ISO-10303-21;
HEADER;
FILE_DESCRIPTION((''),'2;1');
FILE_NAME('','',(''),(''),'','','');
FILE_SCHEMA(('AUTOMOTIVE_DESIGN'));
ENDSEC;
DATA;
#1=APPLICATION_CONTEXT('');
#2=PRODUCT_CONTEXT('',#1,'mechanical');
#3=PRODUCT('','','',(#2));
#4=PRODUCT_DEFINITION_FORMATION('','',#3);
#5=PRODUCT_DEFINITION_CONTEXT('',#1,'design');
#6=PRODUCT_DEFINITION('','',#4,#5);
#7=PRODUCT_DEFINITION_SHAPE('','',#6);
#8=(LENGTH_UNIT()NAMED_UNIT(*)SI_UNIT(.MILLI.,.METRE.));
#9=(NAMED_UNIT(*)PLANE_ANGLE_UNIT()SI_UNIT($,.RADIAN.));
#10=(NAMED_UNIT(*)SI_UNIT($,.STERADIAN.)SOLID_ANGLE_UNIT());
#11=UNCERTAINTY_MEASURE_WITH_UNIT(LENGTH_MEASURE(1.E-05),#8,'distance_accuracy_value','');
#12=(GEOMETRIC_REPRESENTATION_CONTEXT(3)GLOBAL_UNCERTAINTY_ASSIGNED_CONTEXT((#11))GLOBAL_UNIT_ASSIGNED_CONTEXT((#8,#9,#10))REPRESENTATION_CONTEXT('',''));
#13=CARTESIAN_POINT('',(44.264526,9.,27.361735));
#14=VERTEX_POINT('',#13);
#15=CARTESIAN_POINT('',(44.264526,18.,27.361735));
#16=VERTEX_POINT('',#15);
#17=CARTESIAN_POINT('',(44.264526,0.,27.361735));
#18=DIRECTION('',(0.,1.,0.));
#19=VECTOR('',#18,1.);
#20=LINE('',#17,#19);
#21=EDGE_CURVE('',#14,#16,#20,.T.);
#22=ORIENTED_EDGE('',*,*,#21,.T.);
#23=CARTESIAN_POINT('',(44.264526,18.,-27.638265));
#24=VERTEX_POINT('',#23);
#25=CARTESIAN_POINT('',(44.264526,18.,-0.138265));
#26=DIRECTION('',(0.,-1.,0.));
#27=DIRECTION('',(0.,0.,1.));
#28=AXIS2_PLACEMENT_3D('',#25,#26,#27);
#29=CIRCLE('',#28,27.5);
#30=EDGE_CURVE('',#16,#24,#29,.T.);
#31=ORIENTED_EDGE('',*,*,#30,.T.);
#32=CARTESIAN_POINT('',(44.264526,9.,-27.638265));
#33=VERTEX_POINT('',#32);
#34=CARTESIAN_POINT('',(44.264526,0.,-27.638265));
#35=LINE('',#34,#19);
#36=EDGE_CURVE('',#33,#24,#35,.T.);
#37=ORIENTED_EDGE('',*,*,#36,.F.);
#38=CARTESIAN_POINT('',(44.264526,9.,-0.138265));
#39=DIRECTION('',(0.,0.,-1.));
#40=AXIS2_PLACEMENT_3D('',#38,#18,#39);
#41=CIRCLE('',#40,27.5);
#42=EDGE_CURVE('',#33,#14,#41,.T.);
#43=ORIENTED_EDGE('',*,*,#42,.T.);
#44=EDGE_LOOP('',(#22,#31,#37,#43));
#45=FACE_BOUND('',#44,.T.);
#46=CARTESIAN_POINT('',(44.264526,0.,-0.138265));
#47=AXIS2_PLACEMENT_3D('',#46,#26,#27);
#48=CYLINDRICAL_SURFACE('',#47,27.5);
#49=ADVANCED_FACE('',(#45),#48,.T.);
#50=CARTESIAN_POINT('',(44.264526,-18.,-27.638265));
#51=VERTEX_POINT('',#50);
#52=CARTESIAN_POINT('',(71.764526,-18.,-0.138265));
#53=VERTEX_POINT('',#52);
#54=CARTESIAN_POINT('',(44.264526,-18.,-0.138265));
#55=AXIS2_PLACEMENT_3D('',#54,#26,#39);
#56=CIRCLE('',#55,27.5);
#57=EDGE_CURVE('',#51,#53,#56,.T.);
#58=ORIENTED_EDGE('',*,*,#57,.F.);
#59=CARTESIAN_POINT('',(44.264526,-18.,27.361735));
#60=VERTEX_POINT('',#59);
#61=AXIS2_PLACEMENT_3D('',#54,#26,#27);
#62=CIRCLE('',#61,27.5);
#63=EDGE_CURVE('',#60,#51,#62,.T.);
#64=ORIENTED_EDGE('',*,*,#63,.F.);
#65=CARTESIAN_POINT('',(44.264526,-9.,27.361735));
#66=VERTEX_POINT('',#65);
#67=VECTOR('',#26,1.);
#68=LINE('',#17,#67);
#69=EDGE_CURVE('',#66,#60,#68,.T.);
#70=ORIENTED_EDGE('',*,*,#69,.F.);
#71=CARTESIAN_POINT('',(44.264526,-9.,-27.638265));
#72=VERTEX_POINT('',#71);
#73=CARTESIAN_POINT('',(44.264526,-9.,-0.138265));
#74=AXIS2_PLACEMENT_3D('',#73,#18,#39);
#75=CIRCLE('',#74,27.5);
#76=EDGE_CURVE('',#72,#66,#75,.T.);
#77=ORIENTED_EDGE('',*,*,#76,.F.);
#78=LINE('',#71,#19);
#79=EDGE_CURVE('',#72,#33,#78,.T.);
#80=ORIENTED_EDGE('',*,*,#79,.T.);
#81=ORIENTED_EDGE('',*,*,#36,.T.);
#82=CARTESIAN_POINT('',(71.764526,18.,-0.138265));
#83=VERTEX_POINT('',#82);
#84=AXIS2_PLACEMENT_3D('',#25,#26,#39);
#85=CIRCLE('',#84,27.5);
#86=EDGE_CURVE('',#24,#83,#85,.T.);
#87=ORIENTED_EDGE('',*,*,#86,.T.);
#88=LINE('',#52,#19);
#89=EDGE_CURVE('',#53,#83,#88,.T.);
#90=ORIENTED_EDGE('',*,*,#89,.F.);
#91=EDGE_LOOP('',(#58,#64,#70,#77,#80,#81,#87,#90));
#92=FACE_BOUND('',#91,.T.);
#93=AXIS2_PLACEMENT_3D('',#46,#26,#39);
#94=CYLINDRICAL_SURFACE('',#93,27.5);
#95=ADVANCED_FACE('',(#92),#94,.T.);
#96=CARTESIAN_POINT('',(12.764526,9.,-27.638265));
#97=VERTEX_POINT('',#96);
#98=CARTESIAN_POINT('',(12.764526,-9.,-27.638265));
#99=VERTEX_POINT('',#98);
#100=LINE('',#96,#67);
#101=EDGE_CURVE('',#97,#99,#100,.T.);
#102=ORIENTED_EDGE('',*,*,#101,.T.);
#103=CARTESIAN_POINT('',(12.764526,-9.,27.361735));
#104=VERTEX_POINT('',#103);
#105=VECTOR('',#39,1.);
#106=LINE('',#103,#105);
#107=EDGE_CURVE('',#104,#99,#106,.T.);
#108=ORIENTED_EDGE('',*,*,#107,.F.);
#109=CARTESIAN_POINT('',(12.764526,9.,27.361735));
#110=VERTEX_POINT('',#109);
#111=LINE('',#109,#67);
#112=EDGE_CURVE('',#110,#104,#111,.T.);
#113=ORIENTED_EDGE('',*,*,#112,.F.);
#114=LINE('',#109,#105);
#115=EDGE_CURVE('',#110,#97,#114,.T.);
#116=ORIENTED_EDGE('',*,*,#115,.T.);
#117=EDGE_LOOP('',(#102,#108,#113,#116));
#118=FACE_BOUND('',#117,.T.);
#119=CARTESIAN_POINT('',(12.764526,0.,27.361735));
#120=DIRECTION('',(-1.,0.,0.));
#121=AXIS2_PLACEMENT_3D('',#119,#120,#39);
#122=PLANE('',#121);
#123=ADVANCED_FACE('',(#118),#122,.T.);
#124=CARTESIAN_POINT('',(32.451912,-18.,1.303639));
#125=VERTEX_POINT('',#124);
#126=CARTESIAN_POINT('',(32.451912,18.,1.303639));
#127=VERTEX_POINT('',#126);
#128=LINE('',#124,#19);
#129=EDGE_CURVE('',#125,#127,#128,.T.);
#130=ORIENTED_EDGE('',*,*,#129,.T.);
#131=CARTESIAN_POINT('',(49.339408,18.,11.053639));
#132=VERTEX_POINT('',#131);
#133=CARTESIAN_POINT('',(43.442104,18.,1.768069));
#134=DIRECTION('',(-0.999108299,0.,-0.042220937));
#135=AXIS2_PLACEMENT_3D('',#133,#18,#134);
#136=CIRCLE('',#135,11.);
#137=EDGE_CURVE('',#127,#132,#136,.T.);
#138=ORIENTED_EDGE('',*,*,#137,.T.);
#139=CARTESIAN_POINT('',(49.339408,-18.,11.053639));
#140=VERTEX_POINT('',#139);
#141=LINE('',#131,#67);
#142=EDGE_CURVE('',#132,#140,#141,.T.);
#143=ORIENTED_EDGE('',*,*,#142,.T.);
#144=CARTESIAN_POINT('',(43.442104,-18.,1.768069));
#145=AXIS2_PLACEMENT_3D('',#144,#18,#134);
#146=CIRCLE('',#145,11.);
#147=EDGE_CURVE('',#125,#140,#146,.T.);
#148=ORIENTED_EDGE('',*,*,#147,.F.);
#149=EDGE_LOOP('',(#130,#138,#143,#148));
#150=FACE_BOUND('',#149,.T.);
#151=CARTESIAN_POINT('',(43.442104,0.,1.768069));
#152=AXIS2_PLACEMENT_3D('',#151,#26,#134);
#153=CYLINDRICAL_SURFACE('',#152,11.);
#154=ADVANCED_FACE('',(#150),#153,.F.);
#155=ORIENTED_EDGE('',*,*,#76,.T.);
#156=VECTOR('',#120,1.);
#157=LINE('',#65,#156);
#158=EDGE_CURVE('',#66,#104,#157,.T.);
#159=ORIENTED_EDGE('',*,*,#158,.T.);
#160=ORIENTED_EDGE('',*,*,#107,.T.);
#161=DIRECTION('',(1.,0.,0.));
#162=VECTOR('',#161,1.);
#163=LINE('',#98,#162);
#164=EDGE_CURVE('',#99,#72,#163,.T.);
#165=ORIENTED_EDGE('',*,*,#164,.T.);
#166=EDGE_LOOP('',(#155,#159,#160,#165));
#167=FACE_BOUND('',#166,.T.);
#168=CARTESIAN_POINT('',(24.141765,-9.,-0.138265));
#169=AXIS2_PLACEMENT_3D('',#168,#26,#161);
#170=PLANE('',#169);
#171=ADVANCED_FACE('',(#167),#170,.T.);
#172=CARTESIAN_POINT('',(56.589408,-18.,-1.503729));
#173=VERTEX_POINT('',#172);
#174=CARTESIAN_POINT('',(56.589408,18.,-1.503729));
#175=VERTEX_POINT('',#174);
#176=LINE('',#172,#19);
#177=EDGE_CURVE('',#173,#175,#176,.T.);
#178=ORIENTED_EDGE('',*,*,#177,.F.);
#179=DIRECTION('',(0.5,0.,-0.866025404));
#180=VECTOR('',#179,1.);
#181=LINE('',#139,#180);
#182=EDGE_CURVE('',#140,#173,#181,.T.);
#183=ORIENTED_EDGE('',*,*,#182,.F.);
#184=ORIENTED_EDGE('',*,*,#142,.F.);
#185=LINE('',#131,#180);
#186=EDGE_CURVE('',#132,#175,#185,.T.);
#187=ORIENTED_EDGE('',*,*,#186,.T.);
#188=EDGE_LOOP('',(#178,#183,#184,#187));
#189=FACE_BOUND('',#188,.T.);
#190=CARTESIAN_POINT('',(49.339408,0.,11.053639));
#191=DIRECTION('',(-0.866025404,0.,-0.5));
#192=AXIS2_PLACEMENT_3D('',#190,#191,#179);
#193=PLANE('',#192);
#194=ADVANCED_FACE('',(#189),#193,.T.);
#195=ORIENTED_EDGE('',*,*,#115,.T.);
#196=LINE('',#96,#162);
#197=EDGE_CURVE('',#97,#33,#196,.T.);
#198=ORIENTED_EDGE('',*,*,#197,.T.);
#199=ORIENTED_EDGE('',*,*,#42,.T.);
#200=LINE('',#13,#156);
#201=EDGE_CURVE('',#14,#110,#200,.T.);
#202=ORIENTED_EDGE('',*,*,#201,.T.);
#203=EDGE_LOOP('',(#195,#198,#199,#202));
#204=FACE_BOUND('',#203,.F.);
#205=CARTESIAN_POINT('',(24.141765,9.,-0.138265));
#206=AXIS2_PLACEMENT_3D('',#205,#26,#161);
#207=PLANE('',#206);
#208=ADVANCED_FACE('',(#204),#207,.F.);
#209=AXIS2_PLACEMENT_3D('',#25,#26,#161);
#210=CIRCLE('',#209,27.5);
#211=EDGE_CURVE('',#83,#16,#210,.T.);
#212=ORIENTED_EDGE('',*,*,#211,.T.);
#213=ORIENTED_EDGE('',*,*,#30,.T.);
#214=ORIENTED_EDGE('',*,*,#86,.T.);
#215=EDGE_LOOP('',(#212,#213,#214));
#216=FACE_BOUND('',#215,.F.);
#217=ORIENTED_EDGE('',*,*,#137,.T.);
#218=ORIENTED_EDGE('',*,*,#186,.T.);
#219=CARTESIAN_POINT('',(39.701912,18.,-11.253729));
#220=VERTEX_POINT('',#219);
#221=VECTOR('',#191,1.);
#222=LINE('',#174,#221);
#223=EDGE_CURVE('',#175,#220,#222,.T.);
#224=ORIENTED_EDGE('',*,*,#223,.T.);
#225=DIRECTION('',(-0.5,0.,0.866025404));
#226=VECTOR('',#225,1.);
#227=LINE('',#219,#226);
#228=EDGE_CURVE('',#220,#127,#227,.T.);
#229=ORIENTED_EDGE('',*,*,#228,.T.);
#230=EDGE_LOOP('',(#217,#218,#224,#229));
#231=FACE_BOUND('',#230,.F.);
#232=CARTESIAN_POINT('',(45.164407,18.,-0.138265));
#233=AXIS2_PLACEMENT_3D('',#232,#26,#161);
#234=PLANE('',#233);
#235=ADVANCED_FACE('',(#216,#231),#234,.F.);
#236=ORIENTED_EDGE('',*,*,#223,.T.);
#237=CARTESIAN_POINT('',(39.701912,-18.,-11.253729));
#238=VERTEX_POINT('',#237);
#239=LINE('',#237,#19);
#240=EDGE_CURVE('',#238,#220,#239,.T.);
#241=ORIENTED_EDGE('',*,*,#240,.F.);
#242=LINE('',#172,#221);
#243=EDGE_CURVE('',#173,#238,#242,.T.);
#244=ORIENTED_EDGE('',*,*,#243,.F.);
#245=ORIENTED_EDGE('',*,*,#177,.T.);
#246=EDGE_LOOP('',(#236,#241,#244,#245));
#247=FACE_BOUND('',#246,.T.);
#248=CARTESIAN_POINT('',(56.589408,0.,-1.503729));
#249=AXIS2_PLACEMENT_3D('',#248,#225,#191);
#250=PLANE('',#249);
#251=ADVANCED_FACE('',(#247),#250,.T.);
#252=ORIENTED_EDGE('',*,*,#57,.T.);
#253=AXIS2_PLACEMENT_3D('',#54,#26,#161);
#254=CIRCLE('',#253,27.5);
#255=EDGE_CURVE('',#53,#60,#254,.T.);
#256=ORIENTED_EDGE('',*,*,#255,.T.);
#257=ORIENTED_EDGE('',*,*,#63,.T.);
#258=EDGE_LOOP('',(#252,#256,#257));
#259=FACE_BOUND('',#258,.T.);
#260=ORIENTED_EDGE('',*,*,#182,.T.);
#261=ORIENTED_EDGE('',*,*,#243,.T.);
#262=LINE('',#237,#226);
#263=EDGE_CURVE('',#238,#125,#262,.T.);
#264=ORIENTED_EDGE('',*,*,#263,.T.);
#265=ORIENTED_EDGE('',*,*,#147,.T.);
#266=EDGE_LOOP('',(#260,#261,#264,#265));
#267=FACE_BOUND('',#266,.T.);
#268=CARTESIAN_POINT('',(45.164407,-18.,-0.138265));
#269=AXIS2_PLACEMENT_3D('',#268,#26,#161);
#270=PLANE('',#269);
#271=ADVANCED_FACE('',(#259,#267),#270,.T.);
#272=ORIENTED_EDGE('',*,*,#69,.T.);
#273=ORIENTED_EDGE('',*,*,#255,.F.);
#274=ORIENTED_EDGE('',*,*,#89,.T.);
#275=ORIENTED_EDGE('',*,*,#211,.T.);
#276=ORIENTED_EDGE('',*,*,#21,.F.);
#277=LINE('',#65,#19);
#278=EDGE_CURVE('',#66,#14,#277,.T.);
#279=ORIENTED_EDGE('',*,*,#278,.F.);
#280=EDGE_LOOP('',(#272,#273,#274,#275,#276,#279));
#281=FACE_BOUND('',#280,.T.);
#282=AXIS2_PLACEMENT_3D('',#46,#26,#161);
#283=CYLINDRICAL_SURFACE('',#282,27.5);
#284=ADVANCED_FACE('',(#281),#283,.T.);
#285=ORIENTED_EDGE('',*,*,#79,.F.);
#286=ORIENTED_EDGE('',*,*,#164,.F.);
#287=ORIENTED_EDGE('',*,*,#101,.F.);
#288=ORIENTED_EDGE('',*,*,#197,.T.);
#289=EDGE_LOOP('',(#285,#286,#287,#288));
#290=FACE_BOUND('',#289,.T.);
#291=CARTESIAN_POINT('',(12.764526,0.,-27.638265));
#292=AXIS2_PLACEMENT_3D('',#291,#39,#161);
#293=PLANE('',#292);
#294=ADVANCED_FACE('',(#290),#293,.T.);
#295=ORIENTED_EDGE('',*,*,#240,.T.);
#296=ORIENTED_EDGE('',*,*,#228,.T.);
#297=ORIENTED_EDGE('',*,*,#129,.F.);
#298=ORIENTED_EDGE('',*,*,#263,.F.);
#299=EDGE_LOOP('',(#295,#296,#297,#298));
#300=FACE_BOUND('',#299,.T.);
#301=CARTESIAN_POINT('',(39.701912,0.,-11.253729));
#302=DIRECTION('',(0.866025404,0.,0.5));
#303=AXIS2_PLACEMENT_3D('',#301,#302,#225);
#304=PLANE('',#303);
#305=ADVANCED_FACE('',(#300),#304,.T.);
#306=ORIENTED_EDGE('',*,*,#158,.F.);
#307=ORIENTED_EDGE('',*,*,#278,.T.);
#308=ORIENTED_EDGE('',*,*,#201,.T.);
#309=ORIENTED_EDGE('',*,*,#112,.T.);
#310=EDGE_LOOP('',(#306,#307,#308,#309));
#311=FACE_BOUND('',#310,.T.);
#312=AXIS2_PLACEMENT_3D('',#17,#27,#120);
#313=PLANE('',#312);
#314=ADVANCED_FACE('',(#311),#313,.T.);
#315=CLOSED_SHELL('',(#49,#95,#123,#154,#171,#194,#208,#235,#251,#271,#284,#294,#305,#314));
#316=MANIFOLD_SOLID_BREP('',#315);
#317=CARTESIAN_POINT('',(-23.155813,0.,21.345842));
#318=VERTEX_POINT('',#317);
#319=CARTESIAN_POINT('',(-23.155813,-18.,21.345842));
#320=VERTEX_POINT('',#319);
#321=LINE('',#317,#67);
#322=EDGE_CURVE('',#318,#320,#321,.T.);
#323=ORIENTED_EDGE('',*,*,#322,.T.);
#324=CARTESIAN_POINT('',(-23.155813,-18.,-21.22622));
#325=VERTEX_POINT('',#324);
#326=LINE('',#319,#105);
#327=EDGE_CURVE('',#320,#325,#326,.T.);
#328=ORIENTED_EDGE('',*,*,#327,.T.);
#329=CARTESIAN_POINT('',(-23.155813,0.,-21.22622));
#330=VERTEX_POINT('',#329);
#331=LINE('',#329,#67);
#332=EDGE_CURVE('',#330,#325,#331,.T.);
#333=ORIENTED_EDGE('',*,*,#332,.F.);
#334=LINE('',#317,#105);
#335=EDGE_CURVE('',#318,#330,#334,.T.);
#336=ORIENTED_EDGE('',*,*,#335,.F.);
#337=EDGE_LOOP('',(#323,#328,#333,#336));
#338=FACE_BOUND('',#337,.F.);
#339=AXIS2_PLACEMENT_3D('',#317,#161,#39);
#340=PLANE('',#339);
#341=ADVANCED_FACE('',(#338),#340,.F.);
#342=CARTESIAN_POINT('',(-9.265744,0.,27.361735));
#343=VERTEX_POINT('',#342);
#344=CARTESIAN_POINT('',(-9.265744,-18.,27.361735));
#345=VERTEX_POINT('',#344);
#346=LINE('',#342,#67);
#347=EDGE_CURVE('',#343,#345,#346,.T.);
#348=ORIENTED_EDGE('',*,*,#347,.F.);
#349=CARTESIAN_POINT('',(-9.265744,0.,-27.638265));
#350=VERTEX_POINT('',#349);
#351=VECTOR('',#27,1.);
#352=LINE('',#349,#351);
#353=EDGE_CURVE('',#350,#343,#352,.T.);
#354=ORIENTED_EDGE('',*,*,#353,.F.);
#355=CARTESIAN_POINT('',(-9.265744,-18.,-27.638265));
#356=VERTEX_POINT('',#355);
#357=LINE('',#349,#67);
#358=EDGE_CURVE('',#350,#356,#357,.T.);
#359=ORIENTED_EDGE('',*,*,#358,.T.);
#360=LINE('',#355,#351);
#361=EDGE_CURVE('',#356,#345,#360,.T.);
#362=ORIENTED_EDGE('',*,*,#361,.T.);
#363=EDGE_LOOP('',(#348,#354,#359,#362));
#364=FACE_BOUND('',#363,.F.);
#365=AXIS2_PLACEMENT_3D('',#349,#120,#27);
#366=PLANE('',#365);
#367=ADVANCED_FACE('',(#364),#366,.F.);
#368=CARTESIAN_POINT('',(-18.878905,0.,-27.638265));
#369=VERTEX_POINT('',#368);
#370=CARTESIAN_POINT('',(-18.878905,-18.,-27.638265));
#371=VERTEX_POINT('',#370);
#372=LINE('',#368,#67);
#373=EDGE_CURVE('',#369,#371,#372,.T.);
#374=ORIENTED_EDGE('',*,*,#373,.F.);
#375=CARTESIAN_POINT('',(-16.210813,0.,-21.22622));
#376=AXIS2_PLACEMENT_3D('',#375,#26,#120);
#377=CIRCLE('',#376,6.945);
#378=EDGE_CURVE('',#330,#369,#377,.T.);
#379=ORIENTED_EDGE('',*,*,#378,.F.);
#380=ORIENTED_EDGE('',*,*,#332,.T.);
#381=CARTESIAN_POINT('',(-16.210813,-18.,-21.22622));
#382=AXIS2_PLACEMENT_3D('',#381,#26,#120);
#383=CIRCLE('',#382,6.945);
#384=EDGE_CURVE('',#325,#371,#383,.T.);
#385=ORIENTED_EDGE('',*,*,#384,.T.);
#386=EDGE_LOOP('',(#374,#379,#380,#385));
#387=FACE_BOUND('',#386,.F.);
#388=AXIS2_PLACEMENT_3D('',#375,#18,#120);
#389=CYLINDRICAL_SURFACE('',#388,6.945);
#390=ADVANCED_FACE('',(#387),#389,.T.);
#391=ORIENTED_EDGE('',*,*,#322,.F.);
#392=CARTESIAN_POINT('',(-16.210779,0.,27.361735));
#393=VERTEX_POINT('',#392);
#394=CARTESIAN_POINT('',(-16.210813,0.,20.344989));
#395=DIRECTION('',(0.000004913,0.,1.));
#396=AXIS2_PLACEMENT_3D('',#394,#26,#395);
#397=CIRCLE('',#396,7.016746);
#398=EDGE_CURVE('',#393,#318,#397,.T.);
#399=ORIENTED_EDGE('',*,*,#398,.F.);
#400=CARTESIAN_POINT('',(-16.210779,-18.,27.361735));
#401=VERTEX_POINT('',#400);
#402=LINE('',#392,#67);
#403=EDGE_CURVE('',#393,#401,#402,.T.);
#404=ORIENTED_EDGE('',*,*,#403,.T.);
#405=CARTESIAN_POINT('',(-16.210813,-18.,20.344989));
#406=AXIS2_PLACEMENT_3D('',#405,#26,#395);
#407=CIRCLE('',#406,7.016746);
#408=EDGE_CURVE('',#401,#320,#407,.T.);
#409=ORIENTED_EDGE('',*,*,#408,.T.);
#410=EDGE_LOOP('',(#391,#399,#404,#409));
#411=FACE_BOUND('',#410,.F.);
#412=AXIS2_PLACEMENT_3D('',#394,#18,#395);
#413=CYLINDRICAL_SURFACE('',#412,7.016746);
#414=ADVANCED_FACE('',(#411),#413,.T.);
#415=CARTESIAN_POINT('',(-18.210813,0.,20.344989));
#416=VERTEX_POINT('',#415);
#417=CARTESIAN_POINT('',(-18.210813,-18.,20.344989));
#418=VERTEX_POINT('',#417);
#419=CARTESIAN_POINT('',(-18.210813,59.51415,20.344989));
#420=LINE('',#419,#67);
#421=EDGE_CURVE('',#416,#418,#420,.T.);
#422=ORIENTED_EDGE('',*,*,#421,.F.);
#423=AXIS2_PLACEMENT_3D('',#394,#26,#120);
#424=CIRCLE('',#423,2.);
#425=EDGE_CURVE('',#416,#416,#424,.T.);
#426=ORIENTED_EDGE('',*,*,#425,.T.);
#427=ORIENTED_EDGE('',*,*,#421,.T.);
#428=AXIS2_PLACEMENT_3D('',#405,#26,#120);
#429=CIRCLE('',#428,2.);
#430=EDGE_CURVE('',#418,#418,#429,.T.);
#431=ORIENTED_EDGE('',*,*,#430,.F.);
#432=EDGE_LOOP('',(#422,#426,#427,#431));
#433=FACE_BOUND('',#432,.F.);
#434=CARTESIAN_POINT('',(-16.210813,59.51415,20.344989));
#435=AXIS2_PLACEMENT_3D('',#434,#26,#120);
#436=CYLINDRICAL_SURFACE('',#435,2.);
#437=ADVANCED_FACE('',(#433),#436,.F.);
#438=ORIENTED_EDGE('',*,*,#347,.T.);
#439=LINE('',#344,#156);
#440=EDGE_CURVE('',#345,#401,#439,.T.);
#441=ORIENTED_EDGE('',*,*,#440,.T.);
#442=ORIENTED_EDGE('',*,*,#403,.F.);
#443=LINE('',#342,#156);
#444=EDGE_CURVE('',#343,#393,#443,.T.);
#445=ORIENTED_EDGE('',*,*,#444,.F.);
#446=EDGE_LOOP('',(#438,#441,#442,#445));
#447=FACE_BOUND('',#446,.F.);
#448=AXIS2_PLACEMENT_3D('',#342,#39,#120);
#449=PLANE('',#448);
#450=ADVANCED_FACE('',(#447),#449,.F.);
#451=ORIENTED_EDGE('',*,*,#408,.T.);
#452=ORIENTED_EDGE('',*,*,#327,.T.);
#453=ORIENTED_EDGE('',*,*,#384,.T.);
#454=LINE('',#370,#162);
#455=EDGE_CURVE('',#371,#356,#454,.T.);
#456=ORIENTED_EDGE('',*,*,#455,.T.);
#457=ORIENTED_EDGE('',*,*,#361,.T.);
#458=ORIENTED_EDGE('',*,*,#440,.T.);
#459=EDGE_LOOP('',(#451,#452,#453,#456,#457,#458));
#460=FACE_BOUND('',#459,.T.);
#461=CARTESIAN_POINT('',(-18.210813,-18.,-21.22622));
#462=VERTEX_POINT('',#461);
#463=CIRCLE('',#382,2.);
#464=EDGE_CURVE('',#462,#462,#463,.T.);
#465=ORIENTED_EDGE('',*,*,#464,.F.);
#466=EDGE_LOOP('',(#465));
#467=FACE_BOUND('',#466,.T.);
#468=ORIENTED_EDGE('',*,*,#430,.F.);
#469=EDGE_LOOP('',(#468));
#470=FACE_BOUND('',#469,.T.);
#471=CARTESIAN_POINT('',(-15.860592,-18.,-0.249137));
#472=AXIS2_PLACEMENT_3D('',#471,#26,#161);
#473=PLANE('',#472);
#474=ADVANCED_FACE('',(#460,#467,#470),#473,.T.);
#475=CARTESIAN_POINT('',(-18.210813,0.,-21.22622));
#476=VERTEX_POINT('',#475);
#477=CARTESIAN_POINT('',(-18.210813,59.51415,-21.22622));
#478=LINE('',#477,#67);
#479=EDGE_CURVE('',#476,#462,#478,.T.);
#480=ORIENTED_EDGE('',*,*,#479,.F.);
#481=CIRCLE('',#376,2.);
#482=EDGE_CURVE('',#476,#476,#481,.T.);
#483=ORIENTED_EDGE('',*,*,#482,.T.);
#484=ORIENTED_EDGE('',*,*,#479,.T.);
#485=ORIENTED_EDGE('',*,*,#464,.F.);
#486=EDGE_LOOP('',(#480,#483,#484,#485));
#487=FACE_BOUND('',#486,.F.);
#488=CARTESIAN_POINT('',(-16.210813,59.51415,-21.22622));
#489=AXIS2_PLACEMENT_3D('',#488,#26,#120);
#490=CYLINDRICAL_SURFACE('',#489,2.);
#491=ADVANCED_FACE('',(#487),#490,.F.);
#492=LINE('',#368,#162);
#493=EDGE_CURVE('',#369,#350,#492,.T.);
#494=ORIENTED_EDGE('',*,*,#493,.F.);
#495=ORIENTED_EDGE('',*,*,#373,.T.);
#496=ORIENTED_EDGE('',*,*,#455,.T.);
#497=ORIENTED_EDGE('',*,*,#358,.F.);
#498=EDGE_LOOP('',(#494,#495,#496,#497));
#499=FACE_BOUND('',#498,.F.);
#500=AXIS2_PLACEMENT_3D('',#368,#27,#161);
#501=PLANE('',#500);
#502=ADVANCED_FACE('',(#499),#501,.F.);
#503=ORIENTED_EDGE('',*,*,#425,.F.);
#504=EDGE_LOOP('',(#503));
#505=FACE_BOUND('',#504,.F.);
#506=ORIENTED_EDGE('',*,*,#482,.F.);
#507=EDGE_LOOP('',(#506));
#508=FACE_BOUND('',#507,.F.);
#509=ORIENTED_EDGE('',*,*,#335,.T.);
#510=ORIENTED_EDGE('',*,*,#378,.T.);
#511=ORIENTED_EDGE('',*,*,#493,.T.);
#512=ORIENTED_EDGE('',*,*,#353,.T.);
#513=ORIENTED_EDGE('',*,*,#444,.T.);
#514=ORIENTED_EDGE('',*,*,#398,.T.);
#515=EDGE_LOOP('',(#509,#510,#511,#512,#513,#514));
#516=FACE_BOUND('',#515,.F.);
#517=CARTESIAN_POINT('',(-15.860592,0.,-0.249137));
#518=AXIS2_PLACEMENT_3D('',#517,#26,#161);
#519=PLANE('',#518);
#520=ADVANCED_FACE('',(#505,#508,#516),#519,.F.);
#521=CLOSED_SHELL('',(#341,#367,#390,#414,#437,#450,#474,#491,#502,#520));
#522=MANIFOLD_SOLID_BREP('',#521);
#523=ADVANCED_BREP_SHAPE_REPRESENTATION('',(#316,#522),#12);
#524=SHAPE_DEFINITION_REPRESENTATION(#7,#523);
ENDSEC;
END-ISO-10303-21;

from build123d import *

# Parameters (mm, degrees)
F1_DEPTH      = 18
F2_D          = 4
F3_DEPTH      = 18
F3_DEPTH_BACK = 18
F4_DEPTH      = 9
F4_DEPTH_BACK = 9


with BuildPart() as f1:
    # F0 (on Front) → F1 (new body)
    with BuildSketch(Plane.XZ):
        with BuildLine():
            Line((-9.2657440613, -27.6382645078), (-9.2657440613, 27.3617354922))
            Line((-9.2657440613, 27.3617354922), (-16.2107785353, 27.3617354922))
            ThreePointArc((-16.2107785353, 27.3617354922), (-20.8049267476, 25.6486528507), (-23.1558130092, 21.3458417093))
            Line((-23.1558130092, 21.3458417093), (-23.1558130092, -21.2262201912))
            ThreePointArc((-23.1558130092, -21.2262201912), (-21.9884821339, -25.0799929513), (-18.8789045899, -27.6382645078))
            Line((-18.8789045899, -27.6382645078), (-9.2657440613, -27.6382645078))
        make_face()
    extrude(amount=F1_DEPTH)

    # F2 (through all)
    with Locations(Plane(origin=(0, 0, 0), x_dir=(1, 0, 0), z_dir=(0, 1, 0))):
        with Locations((-16.2108130092, -20.3449890159), (-16.2108130092, 21.2262201912)):
            Hole(F2_D / 2)


with BuildPart() as f3:
    # F0 (on Front) → F3 (new body, two sides)
    with BuildSketch(Plane.XZ) as f3_sk:
        with BuildLine():
            ThreePointArc((71.7645256658, -0.1382645078), (63.7099621485, 19.3071719749), (44.2645256658, 27.3617354922))
            ThreePointArc((44.2645256658, 27.3617354922), (16.7645256658, -0.1382645078), (44.2645256658, -27.6382645078))
            ThreePointArc((44.2645256658, -27.6382645078), (63.7099621485, -19.5837009904), (71.7645256658, -0.1382645078))
        make_face()
        with BuildLine():
            Line((49.3394077535, 11.0536389664), (56.5894077535, -1.5037293885))
            Line((56.5894077535, -1.5037293885), (39.7019123797, -11.2537293885))
            Line((39.7019123797, -11.2537293885), (32.4519123797, 1.3036389664))
            ThreePointArc((32.4519123797, 1.3036389664), (37.942103665, 11.2943487169), (49.3394077535, 11.0536389664))
        make_face(mode=Mode.SUBTRACT)
    extrude(amount=F3_DEPTH)
    extrude(f3_sk.sketch, amount=-F3_DEPTH_BACK)

    # F0 (on Front) → F4 (join, two sides)
    with BuildSketch(Plane.XZ) as f4_sk:
        with BuildLine():
            ThreePointArc((44.2645256658, -27.6382645078), (16.7645256658, -0.1382645078), (44.2645256658, 27.3617354922))
            Line((44.2645256658, 27.3617354922), (12.7645256658, 27.3617354922))
            Line((12.7645256658, 27.3617354922), (12.7645256658, -27.6382645078))
            Line((12.7645256658, -27.6382645078), (44.2645256658, -27.6382645078))
        make_face()
    extrude(amount=F4_DEPTH)
    extrude(f4_sk.sketch, amount=-F4_DEPTH_BACK)


solid = Compound([f1.part, f3.part])
